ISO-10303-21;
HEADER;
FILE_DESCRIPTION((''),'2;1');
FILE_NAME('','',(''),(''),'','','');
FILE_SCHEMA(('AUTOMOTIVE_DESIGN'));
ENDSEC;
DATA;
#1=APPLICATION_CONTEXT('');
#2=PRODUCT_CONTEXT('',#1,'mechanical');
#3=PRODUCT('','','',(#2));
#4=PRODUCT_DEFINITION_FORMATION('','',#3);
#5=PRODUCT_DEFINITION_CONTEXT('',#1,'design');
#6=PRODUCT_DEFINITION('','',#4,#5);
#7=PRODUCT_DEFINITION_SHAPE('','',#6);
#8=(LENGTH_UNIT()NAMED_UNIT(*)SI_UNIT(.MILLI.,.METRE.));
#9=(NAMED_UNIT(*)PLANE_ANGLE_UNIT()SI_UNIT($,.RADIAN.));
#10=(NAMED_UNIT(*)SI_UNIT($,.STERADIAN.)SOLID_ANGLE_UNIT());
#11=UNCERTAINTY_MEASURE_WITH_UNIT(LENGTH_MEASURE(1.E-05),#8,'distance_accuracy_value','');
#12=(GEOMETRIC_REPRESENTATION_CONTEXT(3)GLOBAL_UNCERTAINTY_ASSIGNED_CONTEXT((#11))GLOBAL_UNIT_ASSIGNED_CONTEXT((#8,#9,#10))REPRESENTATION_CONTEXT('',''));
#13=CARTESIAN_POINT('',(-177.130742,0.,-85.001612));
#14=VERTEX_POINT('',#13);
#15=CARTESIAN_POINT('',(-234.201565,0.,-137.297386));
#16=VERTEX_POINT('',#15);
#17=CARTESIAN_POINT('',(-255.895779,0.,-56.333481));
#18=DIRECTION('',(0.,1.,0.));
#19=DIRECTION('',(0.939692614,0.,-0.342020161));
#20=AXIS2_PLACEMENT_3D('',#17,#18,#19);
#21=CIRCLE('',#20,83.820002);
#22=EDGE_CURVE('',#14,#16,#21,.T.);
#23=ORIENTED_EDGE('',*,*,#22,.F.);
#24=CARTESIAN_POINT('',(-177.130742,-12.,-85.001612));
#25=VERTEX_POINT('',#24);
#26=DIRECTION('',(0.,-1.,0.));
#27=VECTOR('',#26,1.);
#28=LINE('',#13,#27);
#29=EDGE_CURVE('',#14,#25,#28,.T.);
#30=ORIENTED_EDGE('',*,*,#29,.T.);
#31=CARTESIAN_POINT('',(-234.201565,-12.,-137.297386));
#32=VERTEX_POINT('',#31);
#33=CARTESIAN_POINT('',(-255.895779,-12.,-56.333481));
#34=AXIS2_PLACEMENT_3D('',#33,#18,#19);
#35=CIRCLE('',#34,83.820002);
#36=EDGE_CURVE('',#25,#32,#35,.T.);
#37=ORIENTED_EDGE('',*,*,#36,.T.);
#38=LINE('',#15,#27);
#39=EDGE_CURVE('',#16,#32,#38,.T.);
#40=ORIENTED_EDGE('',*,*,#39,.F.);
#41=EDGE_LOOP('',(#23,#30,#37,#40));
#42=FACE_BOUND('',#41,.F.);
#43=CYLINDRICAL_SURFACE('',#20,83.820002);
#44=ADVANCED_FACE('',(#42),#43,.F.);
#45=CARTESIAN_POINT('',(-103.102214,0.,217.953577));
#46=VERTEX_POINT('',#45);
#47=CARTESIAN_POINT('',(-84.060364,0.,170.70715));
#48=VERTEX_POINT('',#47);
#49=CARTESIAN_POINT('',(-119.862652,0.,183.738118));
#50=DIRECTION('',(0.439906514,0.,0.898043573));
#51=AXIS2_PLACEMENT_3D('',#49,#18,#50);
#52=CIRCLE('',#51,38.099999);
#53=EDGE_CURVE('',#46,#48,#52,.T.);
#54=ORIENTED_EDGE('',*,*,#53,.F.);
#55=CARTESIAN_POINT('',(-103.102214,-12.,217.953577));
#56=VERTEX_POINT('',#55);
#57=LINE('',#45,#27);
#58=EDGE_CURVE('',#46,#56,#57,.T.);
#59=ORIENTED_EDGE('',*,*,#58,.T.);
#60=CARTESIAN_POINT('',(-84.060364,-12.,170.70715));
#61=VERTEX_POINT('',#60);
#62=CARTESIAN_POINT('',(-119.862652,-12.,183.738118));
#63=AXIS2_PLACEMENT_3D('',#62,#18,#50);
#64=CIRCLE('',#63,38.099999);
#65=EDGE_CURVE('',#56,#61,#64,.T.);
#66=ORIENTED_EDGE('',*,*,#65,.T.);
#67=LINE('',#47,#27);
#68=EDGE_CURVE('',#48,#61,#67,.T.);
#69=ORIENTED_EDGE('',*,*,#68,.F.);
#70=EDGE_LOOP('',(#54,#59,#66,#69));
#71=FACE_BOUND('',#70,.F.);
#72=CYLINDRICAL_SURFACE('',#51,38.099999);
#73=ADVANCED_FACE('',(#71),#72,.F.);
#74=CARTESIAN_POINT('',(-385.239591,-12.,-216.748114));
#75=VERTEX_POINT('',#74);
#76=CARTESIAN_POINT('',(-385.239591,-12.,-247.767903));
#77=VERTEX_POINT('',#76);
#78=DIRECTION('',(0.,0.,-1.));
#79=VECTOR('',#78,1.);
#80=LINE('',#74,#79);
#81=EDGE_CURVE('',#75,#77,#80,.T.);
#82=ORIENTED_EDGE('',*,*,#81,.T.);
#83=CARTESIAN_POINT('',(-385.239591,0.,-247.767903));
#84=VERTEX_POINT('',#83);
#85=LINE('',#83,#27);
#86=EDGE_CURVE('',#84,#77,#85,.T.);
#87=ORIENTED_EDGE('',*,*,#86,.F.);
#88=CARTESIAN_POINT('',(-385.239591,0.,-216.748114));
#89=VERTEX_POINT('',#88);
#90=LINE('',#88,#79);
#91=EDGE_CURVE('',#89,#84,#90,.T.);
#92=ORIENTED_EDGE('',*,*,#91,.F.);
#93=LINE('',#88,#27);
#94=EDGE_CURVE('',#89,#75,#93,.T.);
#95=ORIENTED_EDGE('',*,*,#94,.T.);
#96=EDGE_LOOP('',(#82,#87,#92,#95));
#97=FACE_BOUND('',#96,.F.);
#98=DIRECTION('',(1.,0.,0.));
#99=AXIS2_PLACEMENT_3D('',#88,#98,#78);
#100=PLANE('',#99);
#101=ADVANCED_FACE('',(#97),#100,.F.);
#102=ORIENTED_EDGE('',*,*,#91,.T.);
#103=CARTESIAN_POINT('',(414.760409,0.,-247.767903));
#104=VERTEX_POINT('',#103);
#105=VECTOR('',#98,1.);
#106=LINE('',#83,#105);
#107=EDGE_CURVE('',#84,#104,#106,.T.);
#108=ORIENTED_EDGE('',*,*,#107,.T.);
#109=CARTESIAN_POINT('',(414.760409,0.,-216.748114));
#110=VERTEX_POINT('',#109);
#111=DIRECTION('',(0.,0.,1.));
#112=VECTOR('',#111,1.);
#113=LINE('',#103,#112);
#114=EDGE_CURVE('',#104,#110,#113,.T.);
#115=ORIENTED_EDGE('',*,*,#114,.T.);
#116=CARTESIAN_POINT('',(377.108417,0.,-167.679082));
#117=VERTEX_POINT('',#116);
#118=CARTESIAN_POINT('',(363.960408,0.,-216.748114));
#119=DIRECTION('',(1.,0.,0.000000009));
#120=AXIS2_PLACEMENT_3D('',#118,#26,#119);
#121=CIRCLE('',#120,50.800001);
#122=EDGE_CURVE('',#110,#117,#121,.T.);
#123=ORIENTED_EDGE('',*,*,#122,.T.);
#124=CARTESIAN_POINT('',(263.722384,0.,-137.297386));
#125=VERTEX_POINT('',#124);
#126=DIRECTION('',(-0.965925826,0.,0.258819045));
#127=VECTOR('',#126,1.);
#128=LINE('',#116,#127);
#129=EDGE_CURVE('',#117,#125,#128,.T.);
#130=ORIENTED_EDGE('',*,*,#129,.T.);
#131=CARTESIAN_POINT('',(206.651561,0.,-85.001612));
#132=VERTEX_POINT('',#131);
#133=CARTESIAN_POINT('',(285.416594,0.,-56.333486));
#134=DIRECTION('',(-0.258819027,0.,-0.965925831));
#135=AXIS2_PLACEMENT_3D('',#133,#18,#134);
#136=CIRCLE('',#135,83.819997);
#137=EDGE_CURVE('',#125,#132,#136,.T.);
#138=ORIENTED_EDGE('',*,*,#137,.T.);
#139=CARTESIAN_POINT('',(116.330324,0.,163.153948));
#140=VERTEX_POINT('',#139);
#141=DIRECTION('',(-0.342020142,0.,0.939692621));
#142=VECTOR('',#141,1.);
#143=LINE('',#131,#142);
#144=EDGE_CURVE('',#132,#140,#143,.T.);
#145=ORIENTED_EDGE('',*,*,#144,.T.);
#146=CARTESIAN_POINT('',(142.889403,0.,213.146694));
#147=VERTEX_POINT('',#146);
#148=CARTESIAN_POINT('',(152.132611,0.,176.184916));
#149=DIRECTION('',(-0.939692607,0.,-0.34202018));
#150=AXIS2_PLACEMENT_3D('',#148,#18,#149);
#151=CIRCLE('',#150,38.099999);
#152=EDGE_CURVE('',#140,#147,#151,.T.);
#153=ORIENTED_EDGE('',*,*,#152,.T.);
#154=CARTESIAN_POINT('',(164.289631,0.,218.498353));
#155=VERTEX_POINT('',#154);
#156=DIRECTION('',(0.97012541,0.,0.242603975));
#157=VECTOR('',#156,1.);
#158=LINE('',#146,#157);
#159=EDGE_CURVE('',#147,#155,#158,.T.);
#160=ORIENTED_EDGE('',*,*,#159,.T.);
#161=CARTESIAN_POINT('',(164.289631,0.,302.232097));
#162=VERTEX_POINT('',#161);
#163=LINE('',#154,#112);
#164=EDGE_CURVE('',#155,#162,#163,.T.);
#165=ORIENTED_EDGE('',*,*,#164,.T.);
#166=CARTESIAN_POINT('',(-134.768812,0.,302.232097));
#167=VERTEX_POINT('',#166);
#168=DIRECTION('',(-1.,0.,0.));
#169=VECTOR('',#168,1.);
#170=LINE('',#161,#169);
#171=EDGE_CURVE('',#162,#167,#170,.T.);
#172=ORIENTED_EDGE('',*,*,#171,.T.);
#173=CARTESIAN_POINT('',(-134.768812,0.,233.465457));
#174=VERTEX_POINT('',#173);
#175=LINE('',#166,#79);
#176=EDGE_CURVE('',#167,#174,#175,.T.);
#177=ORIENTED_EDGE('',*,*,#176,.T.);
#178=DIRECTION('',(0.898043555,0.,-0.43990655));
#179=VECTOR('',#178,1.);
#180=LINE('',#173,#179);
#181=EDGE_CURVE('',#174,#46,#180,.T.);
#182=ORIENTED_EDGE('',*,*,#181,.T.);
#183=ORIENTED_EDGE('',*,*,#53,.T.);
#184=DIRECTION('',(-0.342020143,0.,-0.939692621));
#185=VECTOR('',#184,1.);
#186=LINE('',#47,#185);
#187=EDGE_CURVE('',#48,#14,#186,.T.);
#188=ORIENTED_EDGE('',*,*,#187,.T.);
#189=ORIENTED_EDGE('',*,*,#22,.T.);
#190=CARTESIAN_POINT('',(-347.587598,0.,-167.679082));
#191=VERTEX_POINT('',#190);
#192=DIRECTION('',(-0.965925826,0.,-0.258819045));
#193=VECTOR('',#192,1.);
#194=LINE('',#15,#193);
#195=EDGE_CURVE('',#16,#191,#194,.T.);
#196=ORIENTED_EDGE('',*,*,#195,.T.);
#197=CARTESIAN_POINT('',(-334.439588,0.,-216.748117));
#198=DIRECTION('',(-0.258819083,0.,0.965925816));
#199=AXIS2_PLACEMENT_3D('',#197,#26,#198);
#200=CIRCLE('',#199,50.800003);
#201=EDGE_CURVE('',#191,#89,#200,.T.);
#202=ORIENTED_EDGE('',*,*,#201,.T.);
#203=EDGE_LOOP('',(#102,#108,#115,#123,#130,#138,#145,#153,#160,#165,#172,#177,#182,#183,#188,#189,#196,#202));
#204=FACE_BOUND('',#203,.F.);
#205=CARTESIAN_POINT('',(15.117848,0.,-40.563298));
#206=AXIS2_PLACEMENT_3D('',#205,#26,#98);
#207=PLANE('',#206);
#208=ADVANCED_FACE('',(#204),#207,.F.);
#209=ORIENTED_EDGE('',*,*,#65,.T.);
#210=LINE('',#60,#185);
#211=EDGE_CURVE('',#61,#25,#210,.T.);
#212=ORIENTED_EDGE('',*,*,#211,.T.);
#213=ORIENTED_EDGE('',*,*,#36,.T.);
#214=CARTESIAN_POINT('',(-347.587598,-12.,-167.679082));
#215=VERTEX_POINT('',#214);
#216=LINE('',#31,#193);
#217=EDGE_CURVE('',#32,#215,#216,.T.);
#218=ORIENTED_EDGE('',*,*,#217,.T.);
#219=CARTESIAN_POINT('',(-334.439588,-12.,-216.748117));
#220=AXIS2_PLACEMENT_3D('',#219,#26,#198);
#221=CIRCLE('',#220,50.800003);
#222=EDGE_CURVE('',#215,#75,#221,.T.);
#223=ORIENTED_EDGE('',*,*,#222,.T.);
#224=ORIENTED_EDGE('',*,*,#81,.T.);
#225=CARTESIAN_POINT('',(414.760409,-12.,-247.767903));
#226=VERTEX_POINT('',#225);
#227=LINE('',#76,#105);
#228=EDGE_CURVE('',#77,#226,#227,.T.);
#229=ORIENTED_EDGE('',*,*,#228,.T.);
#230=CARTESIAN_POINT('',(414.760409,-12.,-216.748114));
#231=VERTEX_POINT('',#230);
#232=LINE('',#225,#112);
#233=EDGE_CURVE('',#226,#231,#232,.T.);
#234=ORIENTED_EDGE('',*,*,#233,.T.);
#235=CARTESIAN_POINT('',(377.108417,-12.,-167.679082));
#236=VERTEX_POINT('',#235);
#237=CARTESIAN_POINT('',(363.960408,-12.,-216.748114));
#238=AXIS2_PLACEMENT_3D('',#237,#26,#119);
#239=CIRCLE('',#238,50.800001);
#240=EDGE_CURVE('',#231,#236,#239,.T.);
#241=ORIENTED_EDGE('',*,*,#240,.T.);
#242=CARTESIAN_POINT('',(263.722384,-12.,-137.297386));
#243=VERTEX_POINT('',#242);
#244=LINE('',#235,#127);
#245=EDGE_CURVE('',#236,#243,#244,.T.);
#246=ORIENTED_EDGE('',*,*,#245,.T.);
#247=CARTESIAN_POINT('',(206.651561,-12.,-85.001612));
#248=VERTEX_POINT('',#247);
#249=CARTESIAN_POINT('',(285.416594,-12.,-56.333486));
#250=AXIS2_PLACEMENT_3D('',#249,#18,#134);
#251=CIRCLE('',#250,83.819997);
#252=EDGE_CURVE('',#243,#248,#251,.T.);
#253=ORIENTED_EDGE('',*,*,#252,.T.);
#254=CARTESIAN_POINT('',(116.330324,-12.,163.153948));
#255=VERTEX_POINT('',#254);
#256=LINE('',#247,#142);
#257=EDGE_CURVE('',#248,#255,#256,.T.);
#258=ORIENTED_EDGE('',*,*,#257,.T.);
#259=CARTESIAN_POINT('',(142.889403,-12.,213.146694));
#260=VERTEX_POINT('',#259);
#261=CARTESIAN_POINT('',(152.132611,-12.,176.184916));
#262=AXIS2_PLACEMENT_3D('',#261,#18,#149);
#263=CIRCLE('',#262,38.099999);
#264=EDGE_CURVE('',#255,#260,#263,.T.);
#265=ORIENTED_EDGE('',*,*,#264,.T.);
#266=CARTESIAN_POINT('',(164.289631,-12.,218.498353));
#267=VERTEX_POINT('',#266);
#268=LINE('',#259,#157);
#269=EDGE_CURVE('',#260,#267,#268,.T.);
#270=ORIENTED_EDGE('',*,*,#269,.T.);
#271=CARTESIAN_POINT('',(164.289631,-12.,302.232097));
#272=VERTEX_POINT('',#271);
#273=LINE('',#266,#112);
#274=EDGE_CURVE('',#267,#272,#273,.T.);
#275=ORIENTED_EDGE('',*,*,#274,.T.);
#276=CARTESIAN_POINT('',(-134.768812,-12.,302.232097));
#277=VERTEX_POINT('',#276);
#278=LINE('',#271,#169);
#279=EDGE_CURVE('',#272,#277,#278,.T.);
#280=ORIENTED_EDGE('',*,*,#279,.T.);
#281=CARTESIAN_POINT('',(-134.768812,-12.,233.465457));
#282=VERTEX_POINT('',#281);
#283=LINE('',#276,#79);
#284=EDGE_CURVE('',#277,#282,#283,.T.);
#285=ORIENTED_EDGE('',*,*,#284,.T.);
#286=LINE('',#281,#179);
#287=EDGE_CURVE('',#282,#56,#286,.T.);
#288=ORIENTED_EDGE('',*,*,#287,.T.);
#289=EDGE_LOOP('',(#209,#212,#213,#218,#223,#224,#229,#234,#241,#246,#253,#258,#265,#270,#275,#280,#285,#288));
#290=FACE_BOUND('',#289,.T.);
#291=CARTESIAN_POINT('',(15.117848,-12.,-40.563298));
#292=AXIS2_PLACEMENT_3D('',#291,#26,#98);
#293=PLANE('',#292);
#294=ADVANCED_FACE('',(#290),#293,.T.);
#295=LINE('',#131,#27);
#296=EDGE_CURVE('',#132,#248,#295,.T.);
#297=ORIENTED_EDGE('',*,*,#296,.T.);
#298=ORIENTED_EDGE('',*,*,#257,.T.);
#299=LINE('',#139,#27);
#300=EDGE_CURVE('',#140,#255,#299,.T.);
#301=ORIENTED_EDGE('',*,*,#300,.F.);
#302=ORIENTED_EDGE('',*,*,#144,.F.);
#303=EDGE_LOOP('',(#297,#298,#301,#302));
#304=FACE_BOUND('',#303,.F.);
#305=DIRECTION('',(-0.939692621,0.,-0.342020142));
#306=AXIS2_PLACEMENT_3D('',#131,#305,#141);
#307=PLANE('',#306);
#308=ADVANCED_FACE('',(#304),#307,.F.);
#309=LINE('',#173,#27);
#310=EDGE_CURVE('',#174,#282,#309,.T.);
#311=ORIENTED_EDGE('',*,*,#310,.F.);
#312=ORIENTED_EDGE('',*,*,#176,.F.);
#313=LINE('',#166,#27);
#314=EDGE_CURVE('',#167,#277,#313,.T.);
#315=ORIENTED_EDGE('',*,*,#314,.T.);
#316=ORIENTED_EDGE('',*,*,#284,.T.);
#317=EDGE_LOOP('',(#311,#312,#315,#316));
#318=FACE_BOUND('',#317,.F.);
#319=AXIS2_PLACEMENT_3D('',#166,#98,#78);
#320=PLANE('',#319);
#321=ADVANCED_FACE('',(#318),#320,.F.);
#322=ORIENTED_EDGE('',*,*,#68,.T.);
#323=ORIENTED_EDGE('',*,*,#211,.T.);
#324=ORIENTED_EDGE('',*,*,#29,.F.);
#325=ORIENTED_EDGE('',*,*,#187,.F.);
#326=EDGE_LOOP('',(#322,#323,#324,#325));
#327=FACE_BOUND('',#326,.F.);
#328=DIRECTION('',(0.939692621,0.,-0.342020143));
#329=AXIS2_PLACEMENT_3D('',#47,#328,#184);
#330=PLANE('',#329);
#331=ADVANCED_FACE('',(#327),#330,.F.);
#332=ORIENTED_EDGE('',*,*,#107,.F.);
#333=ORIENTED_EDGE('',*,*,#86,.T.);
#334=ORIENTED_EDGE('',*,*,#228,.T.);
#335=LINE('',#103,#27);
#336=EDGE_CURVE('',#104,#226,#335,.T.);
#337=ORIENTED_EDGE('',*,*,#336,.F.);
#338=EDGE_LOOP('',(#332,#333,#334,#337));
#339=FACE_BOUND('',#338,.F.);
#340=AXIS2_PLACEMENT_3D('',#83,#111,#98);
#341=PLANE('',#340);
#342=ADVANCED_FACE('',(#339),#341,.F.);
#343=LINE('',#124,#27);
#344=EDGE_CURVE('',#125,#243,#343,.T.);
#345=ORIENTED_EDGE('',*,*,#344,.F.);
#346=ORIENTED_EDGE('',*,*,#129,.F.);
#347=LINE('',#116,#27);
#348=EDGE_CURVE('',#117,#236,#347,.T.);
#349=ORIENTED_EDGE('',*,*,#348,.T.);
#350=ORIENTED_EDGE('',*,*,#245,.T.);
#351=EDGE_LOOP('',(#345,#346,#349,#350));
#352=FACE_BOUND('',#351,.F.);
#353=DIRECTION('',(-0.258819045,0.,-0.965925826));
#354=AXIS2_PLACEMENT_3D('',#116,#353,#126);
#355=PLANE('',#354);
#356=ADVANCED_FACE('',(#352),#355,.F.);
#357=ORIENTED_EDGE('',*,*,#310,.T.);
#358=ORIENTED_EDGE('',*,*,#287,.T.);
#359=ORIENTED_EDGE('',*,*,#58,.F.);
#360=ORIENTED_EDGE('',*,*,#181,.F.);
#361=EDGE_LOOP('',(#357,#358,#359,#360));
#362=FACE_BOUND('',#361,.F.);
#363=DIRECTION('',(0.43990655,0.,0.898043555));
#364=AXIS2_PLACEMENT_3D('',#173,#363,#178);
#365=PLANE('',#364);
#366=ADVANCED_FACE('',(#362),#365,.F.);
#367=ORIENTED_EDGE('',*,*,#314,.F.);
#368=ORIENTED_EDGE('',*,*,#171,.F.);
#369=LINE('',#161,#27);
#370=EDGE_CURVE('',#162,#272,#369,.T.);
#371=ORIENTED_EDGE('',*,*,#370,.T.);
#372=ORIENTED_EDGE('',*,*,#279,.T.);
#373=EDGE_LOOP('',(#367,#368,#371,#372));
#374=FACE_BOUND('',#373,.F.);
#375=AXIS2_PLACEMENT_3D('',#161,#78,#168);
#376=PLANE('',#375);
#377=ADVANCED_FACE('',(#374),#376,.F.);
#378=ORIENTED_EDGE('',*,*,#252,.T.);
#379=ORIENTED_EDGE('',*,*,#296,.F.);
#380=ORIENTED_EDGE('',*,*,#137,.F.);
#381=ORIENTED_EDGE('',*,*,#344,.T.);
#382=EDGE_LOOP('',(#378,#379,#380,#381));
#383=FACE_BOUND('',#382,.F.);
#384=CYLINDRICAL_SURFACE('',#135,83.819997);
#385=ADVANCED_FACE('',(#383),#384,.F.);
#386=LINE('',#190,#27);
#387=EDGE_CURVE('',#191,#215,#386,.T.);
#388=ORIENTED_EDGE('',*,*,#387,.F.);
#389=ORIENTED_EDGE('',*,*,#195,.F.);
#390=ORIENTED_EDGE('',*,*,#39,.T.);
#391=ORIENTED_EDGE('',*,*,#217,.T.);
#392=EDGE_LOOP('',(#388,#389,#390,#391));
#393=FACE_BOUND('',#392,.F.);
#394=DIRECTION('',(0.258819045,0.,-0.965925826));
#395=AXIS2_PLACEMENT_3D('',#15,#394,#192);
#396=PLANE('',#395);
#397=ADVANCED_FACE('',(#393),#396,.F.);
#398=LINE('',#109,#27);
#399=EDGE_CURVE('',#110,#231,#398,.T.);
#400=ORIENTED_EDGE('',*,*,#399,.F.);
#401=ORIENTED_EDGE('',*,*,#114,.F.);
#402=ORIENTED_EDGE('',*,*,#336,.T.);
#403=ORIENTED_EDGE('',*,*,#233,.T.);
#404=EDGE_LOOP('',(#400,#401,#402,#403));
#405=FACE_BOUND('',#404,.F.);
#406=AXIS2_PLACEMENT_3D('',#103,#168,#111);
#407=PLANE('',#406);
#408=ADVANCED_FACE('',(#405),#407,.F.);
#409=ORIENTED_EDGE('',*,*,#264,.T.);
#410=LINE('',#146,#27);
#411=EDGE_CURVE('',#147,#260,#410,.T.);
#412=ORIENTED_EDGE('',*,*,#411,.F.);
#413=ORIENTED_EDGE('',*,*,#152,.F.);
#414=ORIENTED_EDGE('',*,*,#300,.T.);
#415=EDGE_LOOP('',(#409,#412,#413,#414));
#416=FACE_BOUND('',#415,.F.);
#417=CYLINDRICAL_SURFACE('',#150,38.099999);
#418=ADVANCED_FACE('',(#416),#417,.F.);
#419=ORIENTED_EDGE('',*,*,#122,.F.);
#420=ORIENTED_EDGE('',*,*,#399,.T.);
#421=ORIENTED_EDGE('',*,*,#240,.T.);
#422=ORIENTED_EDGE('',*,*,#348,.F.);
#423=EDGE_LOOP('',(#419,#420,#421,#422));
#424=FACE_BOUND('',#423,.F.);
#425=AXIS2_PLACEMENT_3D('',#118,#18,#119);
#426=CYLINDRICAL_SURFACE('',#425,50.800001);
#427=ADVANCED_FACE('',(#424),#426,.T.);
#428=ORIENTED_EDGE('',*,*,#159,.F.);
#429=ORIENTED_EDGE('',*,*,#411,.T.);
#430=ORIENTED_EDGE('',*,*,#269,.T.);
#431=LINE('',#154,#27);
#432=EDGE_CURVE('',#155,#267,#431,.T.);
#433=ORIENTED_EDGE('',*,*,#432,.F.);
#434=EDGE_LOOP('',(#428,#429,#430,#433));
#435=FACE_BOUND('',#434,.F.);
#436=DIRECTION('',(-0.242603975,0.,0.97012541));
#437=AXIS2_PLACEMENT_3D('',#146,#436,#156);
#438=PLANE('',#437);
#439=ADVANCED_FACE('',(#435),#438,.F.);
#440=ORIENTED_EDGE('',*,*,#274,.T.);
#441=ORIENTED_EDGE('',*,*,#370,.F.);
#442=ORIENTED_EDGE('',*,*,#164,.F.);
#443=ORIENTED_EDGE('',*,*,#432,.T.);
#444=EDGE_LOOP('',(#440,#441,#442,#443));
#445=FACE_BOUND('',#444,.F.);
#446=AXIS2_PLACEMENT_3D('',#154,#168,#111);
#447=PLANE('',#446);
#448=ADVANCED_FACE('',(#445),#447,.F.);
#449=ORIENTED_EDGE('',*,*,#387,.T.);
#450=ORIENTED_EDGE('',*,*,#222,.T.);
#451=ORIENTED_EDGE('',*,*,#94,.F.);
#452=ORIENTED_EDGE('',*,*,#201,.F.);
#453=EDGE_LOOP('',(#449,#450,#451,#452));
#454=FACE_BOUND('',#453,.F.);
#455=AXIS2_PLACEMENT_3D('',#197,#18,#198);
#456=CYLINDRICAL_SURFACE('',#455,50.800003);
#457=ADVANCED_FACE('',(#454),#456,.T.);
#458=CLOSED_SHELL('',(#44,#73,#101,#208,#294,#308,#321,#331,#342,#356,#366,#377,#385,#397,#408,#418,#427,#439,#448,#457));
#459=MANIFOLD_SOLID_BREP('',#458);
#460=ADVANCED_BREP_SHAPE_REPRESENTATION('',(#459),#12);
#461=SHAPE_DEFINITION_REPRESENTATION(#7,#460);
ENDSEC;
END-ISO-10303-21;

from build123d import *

# Parameters (mm, degrees)
F1_DEPTH = 12


with BuildPart() as f1:
    # F0 (on Front) → F1 (new body)
    with BuildSketch(Plane.XZ):
        with BuildLine():
            Line((-385.239591, -216.748114), (-385.239591, -247.767903))
            Line((-385.239591, -247.767903), (414.760409, -247.767903))
            Line((414.760409, -247.767903), (414.760409, -216.748114))
            ThreePointArc((414.760409, -216.748114), (404.262759, -185.823034), (377.108417, -167.679082))
            Line((377.108417, -167.679082), (263.722384, -137.297386))
            ThreePointArc((263.722384, -137.297386), (228.788625, -118.13207), (206.651561, -85.001612))
            Line((206.651561, -85.001612), (116.330324, 163.153948))
            ThreePointArc((116.330324, 163.153948), (118.486024, 194.059957), (142.889403, 213.146694))
            Line((142.889403, 213.146694), (164.289631, 218.498353))
            Line((164.289631, 218.498353), (164.289631, 302.232097))
            Line((164.289631, 302.232097), (-134.768812, 302.232097))
            Line((-134.768812, 302.232097), (-134.768812, 233.465457))
            Line((-134.768812, 233.465457), (-103.102214, 217.953577))
            ThreePointArc((-103.102214, 217.953577), (-84.524765, 197.980438), (-84.060364, 170.70715))
            Line((-84.060364, 170.70715), (-177.130742, -85.001612))
            ThreePointArc((-177.130742, -85.001612), (-199.267807, -118.13207), (-234.201565, -137.297386))
            Line((-234.201565, -137.297386), (-347.587598, -167.679082))
            ThreePointArc((-347.587598, -167.679082), (-374.74194, -185.823034), (-385.239591, -216.748114))
        make_face()
    extrude(amount=F1_DEPTH)


solid = f1.part
